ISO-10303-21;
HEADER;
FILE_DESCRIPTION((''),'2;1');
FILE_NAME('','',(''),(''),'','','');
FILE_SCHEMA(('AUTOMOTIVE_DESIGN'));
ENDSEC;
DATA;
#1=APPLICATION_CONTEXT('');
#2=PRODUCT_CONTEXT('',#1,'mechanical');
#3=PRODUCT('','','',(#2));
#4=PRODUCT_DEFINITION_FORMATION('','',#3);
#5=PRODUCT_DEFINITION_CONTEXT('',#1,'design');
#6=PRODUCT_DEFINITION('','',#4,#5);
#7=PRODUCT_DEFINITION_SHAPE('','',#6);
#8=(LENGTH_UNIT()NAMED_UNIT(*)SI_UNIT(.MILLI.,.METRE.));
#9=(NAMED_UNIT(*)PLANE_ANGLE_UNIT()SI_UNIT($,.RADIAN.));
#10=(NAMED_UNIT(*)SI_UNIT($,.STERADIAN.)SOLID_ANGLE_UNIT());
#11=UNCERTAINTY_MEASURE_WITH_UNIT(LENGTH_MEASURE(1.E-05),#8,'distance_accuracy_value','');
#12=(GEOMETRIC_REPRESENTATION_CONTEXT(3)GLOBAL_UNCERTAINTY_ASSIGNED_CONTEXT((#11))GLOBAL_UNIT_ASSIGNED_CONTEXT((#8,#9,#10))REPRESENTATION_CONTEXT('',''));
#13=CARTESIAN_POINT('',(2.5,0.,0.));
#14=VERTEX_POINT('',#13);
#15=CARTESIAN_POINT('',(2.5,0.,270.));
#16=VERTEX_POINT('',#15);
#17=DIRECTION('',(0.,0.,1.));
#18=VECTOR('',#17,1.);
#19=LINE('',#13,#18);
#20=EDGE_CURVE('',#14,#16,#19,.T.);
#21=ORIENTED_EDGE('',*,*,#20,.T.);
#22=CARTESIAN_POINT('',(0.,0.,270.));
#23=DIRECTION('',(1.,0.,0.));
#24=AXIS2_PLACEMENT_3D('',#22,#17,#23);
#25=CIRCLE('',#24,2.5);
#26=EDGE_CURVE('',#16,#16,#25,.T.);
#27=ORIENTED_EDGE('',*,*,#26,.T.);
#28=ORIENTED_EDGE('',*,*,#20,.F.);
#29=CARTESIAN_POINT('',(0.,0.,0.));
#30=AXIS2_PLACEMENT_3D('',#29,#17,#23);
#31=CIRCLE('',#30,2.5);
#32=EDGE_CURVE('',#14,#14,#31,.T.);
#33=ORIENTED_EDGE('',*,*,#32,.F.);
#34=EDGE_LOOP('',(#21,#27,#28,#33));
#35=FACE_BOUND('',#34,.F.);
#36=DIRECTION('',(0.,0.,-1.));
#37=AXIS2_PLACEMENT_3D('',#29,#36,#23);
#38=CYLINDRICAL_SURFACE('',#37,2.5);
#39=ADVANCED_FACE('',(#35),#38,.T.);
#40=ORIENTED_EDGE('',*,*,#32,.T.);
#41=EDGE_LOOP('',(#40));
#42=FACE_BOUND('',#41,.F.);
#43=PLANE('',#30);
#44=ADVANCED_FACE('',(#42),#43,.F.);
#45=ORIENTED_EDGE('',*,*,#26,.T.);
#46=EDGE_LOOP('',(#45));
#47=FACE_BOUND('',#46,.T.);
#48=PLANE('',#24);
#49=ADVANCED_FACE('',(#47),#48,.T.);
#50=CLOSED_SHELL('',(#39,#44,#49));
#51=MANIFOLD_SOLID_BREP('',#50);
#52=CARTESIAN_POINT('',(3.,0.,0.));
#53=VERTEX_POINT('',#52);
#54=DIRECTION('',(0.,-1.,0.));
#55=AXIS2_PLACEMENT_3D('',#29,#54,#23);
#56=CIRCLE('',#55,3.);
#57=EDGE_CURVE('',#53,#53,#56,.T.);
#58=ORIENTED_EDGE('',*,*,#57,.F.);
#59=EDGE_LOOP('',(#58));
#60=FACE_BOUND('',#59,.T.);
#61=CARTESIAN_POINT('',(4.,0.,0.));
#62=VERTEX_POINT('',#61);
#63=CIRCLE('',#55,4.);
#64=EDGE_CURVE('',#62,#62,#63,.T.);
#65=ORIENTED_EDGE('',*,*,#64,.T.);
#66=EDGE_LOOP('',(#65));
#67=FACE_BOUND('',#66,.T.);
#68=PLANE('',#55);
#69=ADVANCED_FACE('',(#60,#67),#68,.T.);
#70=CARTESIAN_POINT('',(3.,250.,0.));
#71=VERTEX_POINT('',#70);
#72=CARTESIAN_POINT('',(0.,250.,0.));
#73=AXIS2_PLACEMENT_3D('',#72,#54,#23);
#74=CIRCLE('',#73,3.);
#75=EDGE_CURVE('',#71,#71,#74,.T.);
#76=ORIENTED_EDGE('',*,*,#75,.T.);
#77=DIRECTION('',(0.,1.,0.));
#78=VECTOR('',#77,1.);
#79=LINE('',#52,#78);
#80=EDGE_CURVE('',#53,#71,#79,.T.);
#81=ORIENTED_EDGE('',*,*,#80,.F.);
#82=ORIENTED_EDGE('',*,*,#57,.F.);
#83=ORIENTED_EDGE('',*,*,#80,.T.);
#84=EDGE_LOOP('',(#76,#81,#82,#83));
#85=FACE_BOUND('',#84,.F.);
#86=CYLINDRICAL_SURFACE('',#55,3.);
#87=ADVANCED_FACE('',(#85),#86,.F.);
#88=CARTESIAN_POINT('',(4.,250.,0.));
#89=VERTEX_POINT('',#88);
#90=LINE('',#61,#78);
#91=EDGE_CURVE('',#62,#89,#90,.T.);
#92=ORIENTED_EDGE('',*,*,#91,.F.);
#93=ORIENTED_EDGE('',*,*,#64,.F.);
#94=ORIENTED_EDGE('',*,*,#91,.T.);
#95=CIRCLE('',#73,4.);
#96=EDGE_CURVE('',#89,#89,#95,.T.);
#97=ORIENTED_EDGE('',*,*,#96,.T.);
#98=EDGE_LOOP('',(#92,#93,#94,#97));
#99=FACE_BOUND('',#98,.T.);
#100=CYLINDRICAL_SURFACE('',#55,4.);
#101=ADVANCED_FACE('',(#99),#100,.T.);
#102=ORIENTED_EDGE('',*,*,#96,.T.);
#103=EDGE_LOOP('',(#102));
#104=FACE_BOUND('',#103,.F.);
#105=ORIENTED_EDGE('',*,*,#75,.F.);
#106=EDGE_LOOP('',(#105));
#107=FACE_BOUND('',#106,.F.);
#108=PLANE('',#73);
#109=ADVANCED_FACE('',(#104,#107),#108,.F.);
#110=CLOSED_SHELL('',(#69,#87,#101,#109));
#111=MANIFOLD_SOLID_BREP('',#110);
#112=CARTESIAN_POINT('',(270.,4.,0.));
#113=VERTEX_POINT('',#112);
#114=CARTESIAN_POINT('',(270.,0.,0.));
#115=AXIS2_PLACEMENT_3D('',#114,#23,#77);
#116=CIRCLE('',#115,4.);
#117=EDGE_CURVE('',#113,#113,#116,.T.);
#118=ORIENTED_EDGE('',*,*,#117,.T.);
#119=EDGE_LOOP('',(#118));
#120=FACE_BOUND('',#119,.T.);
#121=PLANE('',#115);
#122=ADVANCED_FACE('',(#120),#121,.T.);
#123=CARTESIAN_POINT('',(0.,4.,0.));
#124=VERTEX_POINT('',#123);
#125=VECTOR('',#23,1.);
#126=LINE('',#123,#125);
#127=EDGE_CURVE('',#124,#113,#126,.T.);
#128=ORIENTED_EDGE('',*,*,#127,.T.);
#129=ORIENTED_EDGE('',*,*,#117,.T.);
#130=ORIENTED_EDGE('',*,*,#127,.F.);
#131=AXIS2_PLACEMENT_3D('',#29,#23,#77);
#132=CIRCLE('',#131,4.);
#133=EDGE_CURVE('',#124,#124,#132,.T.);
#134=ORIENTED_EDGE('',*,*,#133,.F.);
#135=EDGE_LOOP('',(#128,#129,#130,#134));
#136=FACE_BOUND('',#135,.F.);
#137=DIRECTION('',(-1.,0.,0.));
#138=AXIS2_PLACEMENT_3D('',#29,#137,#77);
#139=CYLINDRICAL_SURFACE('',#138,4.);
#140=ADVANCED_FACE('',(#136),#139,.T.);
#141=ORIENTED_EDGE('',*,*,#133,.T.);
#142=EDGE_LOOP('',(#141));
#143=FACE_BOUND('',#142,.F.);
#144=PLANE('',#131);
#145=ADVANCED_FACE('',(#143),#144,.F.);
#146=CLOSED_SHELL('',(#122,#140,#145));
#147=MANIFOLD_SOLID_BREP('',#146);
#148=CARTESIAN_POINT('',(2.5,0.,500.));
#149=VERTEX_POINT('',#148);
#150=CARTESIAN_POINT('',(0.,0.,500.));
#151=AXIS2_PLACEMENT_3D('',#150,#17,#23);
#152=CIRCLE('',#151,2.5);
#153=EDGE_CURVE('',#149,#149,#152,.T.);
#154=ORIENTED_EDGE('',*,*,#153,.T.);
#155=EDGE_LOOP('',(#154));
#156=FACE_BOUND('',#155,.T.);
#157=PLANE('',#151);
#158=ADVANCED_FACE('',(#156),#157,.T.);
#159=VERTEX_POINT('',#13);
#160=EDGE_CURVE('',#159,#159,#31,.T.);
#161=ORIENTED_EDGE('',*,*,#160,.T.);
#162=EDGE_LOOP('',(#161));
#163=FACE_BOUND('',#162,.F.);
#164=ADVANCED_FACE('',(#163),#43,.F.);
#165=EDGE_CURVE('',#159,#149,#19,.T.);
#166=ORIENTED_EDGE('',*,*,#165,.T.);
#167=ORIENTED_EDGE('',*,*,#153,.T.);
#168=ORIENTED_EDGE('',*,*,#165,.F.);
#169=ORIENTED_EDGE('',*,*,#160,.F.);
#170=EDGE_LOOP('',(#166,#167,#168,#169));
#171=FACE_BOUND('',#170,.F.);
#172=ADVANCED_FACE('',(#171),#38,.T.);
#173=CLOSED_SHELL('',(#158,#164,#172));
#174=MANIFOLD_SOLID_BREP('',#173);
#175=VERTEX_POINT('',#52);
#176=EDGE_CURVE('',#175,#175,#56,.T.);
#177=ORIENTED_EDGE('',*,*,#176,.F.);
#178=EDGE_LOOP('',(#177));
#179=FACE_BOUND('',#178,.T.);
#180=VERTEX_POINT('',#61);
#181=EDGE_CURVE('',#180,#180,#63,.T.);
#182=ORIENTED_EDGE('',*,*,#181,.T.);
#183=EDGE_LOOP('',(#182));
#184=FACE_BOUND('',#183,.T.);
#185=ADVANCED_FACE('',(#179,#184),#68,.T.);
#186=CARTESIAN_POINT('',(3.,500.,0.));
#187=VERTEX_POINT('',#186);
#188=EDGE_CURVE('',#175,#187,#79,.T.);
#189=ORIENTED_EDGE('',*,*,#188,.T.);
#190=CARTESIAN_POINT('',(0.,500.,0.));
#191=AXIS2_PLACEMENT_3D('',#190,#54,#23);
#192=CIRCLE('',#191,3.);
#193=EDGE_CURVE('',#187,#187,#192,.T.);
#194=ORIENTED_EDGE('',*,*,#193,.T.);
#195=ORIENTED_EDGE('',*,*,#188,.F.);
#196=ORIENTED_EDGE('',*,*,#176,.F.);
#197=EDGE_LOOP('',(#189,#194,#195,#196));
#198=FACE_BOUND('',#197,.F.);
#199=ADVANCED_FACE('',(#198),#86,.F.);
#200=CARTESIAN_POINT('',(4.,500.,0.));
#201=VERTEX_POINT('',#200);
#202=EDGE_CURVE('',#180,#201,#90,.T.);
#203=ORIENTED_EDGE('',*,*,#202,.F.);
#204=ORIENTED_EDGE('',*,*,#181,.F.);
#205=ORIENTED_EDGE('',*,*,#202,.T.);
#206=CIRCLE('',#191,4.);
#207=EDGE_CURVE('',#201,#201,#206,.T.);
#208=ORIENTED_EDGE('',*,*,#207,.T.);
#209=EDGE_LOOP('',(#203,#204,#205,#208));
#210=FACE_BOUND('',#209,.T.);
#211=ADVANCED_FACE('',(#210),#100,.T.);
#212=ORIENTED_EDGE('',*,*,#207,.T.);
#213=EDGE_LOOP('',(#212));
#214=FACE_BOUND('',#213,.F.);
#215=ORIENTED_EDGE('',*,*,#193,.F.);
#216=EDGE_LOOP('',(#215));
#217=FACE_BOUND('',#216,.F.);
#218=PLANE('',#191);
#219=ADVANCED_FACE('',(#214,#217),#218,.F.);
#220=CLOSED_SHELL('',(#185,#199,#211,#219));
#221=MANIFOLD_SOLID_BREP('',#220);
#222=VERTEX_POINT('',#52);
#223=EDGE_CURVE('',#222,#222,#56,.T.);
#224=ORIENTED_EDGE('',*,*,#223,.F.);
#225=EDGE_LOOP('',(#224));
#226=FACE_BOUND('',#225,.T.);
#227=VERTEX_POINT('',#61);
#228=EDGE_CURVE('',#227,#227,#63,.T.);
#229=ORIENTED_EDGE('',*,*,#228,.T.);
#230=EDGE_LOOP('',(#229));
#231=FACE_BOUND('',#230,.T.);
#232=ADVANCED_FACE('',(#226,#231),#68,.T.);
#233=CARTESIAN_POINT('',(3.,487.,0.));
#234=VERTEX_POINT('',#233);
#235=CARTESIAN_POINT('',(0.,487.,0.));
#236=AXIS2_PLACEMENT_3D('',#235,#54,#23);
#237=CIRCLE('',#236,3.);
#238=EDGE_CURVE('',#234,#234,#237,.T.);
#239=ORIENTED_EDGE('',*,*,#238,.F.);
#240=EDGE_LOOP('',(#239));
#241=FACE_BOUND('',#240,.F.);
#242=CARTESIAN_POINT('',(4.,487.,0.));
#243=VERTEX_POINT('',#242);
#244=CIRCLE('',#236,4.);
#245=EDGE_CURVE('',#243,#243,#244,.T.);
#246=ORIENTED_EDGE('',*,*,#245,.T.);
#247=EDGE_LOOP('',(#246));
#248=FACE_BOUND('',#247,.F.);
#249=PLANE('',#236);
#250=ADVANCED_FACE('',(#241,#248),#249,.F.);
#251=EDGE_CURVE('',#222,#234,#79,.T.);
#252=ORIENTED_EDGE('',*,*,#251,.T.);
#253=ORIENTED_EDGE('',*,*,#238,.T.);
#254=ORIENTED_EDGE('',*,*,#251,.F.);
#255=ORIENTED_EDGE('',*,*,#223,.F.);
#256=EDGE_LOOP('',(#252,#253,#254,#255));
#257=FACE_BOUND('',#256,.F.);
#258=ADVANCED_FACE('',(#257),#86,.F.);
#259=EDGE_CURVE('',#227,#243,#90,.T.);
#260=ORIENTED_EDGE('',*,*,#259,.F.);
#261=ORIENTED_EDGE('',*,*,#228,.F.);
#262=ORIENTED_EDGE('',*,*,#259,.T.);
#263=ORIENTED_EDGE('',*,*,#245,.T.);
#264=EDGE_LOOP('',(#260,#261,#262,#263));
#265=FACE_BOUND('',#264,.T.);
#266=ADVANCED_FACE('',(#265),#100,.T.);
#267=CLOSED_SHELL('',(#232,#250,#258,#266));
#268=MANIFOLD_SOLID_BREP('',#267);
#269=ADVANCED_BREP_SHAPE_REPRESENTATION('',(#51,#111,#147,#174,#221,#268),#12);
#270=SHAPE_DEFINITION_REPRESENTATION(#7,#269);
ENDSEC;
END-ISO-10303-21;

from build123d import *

# Parameters (mm, degrees)
F0_R     = 4
F0_R_2   = 3
F1_DEPTH = 500
F2_DEPTH = 487
F3_R     = 2.5
F4_DEPTH = 500
F5_DEPTH = 250
F6_R     = 4
F7_DEPTH = 270
F8_DEPTH = 270


with BuildPart() as f1:
    # F0 (on Front) → F1 (new body)
    with BuildSketch(Plane.XZ):
        Circle(F0_R)
        Circle(F0_R_2, mode=Mode.SUBTRACT)
    extrude(amount=-F1_DEPTH)


with BuildPart() as f2:
    # F0 (on Front) → F2 (new body)
    with BuildSketch(Plane.XZ):
        Circle(F0_R)
        Circle(F0_R_2, mode=Mode.SUBTRACT)
    extrude(amount=-F2_DEPTH)


with BuildPart() as f4:
    # F3 (on Top) → F4 (new body)
    with BuildSketch(Plane.XY):
        Circle(F3_R)
    extrude(amount=F4_DEPTH)


with BuildPart() as f5:
    # F0 (on Front) → F5 (new body)
    with BuildSketch(Plane.XZ):
        Circle(F0_R)
        Circle(F0_R_2, mode=Mode.SUBTRACT)
    extrude(amount=-F5_DEPTH)


with BuildPart() as f7:
    # F6 (on Right) → F7 (new body)
    with BuildSketch(Plane.YZ):
        Circle(F6_R)
    extrude(amount=F7_DEPTH)


with BuildPart() as f8:
    # F3 (on Top) → F8 (new body)
    with BuildSketch(Plane.XY):
        Circle(F3_R)
    extrude(amount=F8_DEPTH)


solid = Compound([f1.part, f2.part, f4.part, f5.part, f7.part, f8.part])
